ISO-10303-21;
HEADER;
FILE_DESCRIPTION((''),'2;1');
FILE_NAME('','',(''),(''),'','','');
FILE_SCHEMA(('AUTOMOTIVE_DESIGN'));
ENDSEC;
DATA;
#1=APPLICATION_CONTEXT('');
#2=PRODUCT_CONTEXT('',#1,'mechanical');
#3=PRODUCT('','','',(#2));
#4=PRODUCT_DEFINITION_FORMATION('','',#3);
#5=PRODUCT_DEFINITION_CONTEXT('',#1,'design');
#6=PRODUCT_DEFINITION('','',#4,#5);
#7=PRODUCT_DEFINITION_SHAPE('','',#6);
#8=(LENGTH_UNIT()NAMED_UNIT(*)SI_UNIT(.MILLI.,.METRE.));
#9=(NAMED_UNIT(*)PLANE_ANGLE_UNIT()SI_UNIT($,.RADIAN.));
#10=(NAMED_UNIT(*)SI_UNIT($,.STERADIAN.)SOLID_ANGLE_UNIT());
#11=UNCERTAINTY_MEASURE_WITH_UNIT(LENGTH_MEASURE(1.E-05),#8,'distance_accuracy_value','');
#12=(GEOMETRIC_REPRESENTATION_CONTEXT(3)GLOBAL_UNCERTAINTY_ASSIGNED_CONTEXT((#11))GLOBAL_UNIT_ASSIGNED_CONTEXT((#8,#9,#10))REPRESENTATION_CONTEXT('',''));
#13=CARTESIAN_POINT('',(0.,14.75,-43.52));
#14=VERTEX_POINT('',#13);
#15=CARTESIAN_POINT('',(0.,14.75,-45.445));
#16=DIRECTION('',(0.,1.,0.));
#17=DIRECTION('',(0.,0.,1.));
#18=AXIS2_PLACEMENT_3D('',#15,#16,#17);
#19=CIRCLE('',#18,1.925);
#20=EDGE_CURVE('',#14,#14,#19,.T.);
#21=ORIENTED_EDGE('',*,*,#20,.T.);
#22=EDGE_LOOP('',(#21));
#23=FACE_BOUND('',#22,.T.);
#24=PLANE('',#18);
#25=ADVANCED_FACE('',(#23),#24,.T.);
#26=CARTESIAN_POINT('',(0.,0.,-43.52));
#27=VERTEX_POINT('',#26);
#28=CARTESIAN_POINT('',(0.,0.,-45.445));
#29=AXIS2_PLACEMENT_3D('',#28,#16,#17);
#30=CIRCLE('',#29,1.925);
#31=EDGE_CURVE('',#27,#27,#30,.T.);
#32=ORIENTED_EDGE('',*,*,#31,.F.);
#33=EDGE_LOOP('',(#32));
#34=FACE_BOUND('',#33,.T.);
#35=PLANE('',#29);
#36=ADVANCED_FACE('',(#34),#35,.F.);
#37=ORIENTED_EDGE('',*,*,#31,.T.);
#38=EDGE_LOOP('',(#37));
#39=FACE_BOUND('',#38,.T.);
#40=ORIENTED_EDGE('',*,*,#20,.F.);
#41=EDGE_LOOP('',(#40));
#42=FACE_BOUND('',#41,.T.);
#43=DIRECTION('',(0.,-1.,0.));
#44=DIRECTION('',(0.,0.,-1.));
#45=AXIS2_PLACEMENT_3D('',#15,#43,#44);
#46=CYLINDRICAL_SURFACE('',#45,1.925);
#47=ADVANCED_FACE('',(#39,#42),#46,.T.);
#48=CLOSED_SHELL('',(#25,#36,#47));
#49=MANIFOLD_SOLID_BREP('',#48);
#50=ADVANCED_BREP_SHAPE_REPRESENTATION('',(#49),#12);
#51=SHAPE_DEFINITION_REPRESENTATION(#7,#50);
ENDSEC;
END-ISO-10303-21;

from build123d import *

# Parameters (mm, degrees)
SKETCH1_R           = 1.925
BOSS_EXTRUDE1_DEPTH = 14.75


with BuildPart() as part:
    # Sketch1 → Boss-Extrude1 (new body)
    with BuildSketch(Plane(origin=(0, 0, 0), x_dir=(1, 0, 0), z_dir=(0, 1, 0))):
        with Locations(Location((0, 45.445, 0), (0, 0, 270))):
            Circle(SKETCH1_R)
    extrude(amount=BOSS_EXTRUDE1_DEPTH)


solid = part.part
